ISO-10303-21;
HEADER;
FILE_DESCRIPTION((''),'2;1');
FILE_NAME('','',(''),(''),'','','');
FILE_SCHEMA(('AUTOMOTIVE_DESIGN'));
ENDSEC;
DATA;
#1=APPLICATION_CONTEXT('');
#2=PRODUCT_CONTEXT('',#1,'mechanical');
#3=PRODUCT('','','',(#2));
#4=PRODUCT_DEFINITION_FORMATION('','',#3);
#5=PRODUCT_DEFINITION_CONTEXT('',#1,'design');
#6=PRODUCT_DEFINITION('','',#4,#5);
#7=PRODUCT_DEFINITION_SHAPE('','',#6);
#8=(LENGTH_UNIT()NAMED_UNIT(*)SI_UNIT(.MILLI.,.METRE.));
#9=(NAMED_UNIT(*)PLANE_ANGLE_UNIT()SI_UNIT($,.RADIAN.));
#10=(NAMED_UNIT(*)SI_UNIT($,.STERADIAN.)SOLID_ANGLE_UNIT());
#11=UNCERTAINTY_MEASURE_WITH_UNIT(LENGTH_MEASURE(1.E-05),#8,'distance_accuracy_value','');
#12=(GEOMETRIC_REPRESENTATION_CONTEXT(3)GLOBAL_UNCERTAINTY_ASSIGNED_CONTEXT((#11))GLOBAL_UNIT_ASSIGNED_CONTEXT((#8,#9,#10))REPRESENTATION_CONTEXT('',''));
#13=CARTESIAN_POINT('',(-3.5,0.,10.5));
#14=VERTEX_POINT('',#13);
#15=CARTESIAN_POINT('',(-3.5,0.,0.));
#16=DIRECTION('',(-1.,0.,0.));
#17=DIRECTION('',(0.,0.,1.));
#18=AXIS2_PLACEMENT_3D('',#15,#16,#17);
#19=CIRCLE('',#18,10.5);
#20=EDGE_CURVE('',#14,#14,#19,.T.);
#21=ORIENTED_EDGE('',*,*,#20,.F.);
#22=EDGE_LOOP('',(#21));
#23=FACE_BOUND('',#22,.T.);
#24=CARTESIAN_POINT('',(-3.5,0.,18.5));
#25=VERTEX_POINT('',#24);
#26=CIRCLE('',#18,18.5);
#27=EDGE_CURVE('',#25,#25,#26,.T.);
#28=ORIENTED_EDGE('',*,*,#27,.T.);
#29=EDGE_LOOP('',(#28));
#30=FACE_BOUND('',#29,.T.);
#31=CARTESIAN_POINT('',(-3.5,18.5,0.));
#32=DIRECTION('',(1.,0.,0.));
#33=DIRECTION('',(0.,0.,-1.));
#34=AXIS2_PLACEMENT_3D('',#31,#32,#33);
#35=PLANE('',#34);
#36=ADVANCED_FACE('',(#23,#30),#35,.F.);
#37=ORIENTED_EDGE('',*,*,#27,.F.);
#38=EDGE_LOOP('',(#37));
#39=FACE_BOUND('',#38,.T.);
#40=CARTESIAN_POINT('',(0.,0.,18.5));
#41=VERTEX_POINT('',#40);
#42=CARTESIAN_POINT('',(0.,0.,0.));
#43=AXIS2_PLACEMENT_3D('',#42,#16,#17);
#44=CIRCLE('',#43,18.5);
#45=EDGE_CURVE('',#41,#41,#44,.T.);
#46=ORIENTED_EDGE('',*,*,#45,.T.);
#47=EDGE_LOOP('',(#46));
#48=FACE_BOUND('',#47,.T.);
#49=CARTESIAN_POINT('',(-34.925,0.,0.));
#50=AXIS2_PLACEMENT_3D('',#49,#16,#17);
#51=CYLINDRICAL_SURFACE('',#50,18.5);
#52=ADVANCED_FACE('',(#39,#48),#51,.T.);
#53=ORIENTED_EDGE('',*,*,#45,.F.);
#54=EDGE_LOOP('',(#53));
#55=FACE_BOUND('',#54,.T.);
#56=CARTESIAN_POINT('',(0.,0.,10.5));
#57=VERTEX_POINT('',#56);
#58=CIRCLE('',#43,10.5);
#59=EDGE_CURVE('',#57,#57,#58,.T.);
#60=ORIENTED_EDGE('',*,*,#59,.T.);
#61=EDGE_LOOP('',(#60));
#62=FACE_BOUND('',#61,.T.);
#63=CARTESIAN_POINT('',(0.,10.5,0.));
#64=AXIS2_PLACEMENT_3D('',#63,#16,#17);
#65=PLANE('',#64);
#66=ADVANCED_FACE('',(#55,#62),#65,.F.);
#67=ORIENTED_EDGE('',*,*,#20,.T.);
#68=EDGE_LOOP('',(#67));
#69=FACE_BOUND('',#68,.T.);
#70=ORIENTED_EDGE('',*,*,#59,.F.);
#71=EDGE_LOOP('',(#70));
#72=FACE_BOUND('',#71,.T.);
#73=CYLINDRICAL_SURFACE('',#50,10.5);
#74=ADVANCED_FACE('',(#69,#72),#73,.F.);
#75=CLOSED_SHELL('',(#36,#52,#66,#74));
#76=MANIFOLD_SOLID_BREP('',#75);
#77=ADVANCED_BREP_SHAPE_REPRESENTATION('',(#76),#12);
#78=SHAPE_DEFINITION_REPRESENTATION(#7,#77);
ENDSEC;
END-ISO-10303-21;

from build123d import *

# Parameters (mm, degrees)
SKETCH1_W = 3.5
SKETCH1_H = 8


with BuildPart() as part:
    # Sketch1 → Base-Revolve (revolve)
    with BuildSketch(Plane.XY, mode=Mode.PRIVATE) as base_revolve_sk:
        with Locations((-1.75, 14.5)):
            Rectangle(SKETCH1_W, SKETCH1_H)
    revolve(base_revolve_sk.sketch.rotate(Axis((-34.925, 0, 0), (1, 0, 0)), 90), axis=Axis((-34.925, 0, 0), (1, 0, 0)))


solid = part.part
